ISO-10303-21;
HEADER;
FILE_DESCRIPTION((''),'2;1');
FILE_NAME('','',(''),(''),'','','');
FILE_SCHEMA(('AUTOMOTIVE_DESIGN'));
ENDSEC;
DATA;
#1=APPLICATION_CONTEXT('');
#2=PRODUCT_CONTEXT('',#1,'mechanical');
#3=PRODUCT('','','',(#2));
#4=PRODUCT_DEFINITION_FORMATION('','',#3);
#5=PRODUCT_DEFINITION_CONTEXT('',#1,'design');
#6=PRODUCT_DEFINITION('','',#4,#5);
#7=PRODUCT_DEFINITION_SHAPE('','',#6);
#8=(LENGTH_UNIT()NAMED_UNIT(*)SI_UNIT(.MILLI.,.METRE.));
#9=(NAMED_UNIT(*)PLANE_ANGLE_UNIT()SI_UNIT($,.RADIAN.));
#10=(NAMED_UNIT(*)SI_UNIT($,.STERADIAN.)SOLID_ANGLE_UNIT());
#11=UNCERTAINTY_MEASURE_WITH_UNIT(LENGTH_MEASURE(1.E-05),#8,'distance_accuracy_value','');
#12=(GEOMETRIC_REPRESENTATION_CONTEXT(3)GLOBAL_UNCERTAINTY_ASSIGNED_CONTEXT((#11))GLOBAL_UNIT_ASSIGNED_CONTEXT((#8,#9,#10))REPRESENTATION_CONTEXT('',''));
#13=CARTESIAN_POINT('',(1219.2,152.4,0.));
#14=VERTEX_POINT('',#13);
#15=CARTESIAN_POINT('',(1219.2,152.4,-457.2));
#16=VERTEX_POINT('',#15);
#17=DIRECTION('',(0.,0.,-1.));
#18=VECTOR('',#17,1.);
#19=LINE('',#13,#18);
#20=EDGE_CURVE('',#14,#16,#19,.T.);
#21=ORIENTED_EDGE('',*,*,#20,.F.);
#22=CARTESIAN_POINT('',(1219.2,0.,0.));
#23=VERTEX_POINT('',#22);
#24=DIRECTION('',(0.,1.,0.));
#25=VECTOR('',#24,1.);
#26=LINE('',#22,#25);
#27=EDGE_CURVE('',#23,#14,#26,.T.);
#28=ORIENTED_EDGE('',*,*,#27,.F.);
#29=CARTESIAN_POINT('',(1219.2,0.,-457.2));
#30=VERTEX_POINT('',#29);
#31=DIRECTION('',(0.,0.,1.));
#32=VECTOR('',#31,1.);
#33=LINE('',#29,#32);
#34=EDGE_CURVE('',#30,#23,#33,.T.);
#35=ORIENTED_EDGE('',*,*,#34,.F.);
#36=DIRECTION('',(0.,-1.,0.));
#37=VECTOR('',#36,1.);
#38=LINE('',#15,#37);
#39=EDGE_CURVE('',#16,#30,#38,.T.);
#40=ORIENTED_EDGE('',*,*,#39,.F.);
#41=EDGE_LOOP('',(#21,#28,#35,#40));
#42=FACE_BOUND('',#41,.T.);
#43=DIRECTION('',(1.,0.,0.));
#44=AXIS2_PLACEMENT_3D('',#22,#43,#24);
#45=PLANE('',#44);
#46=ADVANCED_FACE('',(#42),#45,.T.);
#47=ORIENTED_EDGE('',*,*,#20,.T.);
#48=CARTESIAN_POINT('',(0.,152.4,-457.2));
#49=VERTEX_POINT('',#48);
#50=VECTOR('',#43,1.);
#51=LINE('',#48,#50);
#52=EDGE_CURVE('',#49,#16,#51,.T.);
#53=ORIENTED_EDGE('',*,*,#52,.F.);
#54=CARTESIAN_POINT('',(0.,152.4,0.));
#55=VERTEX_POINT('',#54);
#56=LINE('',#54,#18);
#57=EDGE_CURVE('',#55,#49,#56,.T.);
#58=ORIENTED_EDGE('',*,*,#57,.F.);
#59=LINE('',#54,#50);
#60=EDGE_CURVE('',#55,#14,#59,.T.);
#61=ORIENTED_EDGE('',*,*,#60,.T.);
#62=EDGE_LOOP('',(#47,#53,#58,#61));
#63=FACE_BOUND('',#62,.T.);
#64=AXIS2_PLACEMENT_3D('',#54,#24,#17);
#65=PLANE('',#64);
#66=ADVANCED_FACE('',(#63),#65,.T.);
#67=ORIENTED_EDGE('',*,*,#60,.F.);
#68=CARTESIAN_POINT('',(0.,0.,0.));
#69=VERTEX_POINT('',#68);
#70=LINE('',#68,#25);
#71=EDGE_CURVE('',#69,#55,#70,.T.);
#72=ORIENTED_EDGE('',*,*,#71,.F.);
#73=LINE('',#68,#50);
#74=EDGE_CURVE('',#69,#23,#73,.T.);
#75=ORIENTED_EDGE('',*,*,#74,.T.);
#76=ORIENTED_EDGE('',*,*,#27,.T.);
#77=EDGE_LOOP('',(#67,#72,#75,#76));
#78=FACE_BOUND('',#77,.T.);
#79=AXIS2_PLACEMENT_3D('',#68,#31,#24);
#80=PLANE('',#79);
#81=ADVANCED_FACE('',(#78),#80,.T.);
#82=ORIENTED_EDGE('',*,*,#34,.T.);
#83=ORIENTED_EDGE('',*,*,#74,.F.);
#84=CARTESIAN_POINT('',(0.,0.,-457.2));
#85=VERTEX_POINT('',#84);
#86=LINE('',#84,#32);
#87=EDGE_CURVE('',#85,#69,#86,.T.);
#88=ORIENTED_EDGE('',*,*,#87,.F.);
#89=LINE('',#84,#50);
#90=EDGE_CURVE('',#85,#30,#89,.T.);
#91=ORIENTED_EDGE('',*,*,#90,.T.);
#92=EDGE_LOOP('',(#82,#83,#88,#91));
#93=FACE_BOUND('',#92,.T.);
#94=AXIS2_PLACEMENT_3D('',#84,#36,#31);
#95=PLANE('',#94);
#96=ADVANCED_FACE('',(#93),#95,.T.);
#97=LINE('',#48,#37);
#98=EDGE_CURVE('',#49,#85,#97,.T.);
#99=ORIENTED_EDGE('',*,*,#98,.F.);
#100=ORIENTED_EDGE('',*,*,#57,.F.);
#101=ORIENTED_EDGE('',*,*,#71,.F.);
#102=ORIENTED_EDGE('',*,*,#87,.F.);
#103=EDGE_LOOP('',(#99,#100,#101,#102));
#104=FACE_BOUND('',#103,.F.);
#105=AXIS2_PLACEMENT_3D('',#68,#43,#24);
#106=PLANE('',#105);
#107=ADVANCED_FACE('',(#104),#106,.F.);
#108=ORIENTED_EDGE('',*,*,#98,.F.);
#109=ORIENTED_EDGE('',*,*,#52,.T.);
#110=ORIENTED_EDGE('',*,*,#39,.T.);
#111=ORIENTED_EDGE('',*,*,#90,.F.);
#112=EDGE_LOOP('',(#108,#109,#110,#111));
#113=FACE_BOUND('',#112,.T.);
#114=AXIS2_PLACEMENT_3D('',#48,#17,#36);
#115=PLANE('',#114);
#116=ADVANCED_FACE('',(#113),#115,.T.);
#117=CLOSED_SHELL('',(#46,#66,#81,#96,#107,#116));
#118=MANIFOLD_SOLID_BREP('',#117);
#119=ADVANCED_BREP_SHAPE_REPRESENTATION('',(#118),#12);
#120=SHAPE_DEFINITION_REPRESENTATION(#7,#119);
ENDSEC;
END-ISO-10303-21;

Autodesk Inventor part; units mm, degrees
ref_plane "YZ Plane" through (0, 0, 0) normal (1, 0, 0) x (0, 1, 0)
ref_plane "XZ Plane" through (0, 0, 0) normal (0, 1, 0) x (-1, 0, 0)
ref_plane "XY Plane" through (0, 0, 0) normal (0, 0, 1) x (1, 0, 0)
sketch "Sketch2" plane through (0, 0, 0) normal (1, 0, 0) x (0, 1, 0)
  line L0 (0, 0) -> (152.4, 0)
  line L1 (152.4, 0) -> (152.4, -457.2)
  line L2 (152.4, -457.2) -> (0, -457.2)
  line L3 (0, -457.2) -> (0, 0)
  dimension "d3" = 152.4
  dimension "d4" = 457.2
extrude "Extrusion1" add sketch "Sketch2" along normal blind 1219.2
properties part number "step"
